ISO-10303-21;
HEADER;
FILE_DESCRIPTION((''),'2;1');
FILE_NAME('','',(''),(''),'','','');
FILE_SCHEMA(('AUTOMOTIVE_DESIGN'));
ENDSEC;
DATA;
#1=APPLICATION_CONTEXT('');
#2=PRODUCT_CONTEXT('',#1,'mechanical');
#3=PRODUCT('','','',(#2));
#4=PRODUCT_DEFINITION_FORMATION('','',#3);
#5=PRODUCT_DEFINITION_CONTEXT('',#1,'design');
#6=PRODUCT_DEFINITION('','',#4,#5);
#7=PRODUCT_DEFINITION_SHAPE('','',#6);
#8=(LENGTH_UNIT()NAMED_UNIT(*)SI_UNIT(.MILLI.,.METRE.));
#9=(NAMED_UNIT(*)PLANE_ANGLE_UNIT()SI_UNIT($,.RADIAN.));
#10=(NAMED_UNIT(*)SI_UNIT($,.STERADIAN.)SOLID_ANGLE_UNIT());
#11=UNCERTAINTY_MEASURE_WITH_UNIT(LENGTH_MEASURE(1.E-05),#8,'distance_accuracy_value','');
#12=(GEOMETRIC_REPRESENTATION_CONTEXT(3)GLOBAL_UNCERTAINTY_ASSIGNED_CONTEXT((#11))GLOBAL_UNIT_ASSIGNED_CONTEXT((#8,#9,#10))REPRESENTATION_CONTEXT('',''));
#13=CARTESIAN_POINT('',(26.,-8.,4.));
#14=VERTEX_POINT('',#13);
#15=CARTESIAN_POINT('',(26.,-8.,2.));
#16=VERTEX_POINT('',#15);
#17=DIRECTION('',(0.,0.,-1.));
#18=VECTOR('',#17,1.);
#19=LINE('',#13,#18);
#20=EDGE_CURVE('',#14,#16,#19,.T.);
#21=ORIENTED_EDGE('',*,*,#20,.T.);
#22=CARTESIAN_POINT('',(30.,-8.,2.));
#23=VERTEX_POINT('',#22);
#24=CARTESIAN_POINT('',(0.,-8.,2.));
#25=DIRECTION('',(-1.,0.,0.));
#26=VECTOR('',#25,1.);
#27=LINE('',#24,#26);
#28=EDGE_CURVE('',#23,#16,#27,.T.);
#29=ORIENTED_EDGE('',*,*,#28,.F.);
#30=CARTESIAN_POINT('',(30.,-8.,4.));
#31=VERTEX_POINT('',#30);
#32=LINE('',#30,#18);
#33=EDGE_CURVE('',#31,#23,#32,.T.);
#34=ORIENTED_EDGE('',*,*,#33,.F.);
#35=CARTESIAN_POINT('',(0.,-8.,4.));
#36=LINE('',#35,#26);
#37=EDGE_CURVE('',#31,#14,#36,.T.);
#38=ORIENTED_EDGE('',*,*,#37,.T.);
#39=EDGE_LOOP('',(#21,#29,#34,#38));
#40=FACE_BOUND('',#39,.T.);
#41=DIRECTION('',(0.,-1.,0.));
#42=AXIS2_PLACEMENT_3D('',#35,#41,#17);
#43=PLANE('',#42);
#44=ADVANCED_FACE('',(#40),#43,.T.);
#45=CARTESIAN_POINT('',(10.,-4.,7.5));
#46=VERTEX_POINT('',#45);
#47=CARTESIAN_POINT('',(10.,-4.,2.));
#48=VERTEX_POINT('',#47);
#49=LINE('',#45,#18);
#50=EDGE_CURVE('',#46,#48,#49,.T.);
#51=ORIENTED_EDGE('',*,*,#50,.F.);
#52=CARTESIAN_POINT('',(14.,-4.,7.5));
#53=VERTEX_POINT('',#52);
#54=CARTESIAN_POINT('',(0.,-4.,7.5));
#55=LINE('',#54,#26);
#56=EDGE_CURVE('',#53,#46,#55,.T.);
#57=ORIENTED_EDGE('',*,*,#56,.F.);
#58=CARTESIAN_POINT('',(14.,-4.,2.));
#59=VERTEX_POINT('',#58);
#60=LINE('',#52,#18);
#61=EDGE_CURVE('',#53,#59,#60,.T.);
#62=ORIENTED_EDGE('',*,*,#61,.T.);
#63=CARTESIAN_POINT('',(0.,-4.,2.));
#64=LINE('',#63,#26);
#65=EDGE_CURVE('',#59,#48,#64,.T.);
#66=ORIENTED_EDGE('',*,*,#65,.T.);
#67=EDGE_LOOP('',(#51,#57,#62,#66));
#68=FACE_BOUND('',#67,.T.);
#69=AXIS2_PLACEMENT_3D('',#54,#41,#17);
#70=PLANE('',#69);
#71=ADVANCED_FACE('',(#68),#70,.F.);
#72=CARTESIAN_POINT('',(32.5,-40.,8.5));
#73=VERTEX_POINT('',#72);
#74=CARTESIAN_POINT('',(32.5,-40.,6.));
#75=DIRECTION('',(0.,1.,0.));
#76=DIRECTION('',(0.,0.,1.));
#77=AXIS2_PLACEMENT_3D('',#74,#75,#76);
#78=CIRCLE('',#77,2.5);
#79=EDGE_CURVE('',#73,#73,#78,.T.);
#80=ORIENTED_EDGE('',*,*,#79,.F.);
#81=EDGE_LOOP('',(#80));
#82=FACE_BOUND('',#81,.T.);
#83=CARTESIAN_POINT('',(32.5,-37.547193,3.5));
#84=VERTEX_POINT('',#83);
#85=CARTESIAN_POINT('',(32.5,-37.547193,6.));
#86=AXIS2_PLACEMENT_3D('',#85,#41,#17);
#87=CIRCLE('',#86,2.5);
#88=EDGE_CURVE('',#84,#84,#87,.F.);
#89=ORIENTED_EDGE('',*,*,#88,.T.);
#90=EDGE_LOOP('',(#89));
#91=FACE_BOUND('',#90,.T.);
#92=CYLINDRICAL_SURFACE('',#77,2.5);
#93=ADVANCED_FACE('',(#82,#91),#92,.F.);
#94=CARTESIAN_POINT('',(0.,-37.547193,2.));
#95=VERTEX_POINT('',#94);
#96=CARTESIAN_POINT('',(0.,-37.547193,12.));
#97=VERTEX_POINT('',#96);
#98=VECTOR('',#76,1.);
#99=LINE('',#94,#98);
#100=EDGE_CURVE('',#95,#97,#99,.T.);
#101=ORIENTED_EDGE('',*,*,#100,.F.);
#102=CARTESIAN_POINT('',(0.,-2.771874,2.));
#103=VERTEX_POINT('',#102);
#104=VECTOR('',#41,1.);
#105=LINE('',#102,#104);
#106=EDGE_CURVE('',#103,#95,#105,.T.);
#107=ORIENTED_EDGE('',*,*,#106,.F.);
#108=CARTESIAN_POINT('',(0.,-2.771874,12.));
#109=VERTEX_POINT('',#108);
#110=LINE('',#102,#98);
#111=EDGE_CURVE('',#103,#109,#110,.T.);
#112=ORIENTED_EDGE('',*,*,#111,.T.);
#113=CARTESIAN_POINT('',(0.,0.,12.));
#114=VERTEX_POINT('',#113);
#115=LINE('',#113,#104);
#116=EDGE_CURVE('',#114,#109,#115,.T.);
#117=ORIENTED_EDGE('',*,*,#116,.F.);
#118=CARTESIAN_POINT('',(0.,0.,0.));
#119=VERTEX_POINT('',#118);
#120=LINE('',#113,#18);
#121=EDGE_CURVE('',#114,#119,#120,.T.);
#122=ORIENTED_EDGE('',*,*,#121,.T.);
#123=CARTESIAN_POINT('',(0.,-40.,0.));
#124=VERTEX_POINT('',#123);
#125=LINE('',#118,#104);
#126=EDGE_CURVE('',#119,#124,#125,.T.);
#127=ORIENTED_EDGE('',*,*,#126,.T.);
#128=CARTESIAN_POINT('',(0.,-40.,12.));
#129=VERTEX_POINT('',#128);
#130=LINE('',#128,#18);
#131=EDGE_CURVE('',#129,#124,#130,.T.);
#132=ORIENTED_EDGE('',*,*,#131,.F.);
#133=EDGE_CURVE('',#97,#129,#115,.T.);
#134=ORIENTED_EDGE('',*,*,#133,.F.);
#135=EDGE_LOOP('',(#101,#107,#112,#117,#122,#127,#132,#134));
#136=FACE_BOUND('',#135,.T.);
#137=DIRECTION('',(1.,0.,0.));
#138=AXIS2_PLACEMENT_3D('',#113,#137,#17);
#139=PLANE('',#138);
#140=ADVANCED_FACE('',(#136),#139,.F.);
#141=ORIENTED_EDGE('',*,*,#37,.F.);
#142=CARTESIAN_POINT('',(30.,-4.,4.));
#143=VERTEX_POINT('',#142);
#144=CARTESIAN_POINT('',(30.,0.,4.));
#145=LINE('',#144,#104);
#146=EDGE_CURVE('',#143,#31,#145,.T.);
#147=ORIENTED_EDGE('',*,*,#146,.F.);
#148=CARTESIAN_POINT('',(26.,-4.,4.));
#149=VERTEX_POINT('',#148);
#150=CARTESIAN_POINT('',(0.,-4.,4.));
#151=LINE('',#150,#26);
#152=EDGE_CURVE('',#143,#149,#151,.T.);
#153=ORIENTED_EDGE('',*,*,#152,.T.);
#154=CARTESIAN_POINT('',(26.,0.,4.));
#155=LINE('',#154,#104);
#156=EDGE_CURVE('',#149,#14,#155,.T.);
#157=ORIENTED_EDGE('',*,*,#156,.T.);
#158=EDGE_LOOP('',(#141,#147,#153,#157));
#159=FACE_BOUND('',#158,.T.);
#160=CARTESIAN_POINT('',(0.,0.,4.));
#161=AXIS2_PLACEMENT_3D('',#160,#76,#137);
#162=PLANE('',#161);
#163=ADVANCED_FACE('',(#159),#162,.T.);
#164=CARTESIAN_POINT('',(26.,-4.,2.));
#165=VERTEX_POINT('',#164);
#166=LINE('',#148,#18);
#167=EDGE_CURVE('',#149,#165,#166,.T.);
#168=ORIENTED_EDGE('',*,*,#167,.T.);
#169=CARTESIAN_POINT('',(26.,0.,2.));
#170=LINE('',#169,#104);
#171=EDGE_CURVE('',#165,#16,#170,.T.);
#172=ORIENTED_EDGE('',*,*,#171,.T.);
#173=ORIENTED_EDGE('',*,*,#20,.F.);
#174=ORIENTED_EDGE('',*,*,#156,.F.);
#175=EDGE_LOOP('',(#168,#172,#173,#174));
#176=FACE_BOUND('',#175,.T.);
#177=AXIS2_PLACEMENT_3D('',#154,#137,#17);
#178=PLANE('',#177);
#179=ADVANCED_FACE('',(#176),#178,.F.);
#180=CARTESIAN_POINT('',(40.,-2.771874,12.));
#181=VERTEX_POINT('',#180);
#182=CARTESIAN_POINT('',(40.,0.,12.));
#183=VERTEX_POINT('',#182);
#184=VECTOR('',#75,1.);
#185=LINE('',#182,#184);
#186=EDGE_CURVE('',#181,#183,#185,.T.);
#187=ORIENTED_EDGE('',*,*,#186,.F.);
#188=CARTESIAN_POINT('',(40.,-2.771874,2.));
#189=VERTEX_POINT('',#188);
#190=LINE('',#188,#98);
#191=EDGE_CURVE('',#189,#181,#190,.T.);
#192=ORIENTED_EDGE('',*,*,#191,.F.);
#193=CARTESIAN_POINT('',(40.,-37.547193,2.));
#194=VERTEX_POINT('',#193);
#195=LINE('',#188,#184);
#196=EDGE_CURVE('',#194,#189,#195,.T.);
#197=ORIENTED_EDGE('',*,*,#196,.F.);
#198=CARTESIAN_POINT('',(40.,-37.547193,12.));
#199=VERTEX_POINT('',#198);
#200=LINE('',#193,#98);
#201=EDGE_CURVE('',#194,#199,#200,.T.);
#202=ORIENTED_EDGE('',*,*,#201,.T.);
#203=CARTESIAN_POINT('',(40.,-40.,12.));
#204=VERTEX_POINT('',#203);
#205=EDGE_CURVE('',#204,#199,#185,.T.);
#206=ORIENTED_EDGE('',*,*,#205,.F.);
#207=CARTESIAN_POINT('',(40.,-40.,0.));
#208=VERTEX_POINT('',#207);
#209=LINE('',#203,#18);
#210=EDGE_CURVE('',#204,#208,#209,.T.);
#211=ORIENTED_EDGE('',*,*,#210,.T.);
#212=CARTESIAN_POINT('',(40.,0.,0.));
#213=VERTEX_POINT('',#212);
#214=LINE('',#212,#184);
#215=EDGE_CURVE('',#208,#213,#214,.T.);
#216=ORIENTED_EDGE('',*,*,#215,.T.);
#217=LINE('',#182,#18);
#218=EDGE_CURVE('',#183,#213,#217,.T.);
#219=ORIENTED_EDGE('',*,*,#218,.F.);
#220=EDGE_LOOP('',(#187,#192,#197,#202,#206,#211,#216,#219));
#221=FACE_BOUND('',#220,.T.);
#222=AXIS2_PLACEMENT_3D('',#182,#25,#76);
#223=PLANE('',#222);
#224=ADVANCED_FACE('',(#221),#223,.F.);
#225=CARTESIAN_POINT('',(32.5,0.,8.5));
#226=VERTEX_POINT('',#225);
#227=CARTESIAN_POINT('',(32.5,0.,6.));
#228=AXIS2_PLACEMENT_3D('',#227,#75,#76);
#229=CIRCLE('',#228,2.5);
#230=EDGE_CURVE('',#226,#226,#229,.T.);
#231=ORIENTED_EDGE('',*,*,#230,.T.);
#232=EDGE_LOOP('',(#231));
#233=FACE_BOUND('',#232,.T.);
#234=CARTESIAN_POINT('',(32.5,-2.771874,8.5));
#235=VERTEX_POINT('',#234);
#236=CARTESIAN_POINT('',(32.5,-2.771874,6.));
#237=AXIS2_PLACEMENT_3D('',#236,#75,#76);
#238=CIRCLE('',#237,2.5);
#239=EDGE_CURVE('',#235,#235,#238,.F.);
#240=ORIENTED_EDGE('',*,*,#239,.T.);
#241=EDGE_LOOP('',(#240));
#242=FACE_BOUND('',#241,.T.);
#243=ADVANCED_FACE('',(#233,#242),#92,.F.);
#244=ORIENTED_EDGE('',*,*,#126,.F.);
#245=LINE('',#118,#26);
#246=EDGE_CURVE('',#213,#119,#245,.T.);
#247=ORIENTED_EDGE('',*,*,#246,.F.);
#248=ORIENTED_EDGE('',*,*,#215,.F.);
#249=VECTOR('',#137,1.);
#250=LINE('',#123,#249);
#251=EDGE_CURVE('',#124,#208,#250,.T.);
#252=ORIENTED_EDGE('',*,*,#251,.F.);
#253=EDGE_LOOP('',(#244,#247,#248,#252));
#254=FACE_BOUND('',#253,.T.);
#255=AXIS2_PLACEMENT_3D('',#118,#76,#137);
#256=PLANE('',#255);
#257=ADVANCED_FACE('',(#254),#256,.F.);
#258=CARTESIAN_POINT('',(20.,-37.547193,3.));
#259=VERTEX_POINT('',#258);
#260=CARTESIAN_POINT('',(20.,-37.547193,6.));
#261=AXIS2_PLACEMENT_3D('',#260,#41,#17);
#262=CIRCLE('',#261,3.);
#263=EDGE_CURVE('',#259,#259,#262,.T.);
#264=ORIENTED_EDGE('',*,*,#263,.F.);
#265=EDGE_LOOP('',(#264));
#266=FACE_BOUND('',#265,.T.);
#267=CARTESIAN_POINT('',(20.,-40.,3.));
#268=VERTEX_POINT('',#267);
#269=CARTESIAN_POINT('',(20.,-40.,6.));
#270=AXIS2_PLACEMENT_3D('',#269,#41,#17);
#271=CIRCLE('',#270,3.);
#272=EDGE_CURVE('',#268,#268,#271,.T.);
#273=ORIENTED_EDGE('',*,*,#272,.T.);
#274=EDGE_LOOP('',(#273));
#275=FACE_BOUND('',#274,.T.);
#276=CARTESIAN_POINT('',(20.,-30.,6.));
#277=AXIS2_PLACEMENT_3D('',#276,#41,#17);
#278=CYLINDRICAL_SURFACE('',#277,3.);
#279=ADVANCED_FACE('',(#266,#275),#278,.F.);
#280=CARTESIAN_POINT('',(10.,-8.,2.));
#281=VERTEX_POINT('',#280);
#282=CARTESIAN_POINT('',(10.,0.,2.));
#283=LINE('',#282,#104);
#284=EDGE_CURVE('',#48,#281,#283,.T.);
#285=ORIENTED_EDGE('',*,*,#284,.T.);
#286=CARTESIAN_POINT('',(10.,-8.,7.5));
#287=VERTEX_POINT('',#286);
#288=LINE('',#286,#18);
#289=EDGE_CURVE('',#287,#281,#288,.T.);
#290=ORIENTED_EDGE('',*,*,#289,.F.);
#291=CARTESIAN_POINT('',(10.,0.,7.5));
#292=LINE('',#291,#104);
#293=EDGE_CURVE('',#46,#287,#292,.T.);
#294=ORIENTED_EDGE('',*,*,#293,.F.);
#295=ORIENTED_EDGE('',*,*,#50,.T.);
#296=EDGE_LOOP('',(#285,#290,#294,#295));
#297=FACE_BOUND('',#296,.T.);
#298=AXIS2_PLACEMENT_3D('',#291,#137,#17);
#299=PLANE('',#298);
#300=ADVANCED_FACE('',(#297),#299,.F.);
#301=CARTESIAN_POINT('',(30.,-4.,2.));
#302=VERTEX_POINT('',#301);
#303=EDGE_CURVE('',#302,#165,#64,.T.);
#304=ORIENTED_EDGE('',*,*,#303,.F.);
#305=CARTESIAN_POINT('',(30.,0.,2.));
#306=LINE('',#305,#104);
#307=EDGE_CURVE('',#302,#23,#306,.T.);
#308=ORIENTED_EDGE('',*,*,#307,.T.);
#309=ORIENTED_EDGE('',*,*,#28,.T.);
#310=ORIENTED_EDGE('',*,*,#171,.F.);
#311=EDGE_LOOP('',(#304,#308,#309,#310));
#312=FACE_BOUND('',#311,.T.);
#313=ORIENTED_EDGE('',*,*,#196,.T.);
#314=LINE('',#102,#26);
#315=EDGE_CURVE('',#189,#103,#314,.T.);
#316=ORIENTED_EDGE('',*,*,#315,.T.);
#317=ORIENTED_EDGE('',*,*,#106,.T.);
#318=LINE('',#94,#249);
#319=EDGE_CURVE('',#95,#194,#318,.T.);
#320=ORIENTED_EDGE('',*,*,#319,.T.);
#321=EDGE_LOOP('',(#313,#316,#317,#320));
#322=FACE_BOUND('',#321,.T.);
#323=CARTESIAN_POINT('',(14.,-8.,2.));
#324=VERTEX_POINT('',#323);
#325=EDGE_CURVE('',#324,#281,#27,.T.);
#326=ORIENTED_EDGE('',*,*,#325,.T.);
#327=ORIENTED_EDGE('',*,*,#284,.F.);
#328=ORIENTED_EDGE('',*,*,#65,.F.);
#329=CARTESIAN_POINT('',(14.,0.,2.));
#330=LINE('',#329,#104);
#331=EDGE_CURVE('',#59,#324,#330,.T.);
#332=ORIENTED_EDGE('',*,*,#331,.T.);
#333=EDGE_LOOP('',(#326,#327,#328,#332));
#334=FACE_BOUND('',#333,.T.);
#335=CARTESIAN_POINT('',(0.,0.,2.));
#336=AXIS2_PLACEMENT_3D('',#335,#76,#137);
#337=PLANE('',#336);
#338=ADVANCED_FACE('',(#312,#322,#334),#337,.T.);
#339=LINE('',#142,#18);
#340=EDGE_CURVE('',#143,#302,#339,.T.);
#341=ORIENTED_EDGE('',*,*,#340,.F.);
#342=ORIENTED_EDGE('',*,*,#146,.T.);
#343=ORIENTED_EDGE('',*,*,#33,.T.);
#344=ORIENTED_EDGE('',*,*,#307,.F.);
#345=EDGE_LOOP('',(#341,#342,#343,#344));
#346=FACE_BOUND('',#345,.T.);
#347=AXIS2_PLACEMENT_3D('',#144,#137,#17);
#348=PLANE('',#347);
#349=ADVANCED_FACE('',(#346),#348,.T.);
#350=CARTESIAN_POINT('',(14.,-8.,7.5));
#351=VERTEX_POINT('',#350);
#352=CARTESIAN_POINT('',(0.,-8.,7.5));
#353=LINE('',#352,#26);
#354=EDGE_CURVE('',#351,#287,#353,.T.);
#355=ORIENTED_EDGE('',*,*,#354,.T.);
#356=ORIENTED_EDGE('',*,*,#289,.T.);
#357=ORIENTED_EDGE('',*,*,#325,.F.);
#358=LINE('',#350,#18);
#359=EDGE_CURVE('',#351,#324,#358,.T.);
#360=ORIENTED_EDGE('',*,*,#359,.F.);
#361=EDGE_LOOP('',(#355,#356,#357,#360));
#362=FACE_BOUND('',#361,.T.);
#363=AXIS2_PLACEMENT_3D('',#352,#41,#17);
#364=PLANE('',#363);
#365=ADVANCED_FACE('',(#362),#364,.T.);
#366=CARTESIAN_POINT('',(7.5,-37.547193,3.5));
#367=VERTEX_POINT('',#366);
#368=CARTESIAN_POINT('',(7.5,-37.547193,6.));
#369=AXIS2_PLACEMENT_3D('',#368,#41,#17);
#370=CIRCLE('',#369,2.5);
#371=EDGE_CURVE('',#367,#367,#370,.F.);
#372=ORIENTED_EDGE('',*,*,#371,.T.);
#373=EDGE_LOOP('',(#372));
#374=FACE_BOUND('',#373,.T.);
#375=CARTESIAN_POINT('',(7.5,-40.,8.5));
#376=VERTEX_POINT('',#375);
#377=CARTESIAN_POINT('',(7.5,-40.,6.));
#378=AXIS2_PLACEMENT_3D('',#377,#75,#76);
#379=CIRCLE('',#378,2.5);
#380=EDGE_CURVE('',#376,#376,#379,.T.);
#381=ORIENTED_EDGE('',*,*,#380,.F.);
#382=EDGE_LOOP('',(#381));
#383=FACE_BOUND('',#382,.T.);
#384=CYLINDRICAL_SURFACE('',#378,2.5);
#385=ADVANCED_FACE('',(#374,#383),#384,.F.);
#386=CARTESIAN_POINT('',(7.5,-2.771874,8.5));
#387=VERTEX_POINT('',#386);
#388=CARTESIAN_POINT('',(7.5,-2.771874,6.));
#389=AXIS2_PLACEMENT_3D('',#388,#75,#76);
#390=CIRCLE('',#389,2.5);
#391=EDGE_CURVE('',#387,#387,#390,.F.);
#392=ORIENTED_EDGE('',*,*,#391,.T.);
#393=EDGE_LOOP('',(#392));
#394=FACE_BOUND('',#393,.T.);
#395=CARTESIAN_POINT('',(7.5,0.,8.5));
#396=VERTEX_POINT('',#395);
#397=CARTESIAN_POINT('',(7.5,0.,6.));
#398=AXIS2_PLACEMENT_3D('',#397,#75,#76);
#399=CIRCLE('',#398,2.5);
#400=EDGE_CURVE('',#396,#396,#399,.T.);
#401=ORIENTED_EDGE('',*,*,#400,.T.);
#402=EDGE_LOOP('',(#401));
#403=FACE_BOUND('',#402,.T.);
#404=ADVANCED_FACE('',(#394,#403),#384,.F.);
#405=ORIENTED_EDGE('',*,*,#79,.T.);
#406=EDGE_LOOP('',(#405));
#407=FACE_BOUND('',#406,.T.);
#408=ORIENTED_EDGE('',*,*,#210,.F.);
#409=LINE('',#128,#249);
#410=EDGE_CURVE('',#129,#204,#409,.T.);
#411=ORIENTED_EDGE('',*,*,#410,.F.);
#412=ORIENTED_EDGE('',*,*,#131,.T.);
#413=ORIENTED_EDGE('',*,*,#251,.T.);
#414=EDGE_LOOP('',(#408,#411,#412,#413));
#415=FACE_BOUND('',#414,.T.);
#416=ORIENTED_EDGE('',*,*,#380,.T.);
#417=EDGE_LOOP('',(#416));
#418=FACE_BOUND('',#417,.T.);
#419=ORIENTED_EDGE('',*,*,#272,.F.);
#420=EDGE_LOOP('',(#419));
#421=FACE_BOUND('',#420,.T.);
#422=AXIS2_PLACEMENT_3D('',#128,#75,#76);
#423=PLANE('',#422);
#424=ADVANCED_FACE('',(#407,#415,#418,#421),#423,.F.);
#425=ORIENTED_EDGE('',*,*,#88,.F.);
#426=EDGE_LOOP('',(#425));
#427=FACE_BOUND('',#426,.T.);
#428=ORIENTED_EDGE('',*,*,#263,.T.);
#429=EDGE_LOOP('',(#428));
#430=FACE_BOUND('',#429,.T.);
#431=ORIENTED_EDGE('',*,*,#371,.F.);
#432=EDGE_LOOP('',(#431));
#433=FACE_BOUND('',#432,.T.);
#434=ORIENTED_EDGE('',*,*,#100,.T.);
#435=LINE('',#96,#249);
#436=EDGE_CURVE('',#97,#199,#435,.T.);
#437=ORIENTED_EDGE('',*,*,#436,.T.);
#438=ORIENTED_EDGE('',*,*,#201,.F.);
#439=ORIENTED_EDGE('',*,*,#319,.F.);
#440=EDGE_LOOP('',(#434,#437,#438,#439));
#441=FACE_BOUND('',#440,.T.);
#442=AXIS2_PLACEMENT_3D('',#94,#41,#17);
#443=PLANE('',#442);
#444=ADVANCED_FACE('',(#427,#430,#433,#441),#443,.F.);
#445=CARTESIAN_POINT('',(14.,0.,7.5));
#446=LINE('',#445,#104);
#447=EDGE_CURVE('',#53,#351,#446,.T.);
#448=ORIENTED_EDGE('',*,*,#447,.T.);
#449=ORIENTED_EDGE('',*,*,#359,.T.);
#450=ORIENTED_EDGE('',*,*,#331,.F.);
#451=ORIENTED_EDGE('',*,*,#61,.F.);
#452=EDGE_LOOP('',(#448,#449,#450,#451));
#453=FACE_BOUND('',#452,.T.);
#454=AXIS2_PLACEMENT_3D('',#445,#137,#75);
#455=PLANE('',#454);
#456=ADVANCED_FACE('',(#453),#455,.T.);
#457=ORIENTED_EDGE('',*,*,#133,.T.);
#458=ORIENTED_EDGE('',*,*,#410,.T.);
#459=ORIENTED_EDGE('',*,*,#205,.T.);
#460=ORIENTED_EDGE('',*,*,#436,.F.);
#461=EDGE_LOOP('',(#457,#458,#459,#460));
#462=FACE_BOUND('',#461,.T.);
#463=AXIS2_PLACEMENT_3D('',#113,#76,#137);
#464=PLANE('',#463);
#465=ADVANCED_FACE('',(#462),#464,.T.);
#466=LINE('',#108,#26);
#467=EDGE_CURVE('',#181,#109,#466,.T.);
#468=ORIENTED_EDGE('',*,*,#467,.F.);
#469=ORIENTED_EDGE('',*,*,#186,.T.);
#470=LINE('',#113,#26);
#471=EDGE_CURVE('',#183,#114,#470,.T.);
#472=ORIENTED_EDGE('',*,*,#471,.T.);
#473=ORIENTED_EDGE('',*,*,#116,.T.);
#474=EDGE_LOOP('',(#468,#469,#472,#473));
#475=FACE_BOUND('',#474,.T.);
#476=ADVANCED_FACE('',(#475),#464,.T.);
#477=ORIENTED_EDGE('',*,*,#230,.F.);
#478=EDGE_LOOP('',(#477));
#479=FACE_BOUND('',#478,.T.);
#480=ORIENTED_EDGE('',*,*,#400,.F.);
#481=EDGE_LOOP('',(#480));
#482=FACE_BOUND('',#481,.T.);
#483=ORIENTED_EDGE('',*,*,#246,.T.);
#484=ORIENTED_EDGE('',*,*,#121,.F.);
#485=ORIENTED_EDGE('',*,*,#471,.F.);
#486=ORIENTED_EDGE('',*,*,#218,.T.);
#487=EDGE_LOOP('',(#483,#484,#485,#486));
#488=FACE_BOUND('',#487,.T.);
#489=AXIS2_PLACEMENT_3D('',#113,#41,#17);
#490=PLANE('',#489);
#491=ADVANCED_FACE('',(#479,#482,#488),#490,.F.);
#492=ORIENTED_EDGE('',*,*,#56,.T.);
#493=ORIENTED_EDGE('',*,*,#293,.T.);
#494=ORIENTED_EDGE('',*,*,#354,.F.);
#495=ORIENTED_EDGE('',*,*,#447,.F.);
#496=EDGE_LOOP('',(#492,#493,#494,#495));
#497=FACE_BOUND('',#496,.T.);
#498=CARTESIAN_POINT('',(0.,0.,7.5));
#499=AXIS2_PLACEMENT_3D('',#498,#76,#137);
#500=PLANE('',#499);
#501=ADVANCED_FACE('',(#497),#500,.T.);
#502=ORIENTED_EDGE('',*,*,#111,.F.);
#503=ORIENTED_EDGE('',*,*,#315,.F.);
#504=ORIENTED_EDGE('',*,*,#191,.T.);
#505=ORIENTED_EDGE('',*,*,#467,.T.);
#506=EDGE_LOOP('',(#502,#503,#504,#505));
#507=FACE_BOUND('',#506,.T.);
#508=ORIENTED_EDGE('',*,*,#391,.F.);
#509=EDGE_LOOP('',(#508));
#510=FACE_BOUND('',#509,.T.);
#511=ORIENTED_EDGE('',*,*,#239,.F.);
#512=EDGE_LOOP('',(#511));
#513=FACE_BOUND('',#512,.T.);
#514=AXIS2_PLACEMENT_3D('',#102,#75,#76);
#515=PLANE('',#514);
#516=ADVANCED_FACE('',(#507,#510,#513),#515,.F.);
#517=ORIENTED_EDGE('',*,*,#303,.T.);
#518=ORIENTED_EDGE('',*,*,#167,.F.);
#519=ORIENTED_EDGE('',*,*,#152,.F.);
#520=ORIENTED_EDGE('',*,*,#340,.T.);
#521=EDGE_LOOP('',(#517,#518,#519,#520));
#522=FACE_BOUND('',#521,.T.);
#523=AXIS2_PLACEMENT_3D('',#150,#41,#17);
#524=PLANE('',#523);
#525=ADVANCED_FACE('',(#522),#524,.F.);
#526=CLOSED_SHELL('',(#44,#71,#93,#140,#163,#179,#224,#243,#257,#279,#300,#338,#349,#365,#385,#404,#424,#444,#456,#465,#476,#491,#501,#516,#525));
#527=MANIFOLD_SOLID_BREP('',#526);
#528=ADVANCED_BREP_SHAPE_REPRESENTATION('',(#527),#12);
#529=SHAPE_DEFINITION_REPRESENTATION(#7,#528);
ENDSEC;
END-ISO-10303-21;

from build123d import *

# Parameters (mm, degrees)
SKETCH_2_W          = 40
SKETCH_2_H          = 40
EXTRUDE_1_DEPTH     = 12
SKETCH_3_R          = 2.5
CUT_EXTRUDE_1_DEPTH = 58.827329179
SKETCH_4_W          = 40
SKETCH_4_H          = 34.775319462
CUT_EXTRUDE_2_DEPTH = 10
SKETCH_6_R          = 3
CUT_EXTRUDE_3_DEPTH = 10
SKETCH_7_W          = 4
SKETCH_7_H          = 4
EXTRUDE_2_DEPTH     = 2
SKETCH_7_3_W        = 4
SKETCH_7_3_H        = 4
EXTRUDE_3_DEPTH     = 5.5


with BuildPart() as part:
    # 스케치2 → 보스-돌출1 (new body)
    with BuildSketch(Plane.XY):
        with Locations((20, -20)):
            Rectangle(SKETCH_2_W, SKETCH_2_H)
    extrude(amount=EXTRUDE_1_DEPTH)

    # 스케치3 → 컷-돌출1 (cut, through all)
    with BuildSketch(Plane(origin=(0, 0, 0), x_dir=(1, 0, 0), z_dir=(0, 1, 0))):
        with Locations((7.5, -6)):
            Circle(SKETCH_3_R)
        with Locations((32.5, -6)):
            Circle(SKETCH_3_R)
    extrude(amount=-CUT_EXTRUDE_1_DEPTH, mode=Mode.SUBTRACT)

    # 스케치4 → 컷-돌출2 (cut)
    with BuildSketch(Plane.XY.offset(12)):
        with Locations((20, -20.159533284)):
            Rectangle(SKETCH_4_W, SKETCH_4_H)
    extrude(amount=-CUT_EXTRUDE_2_DEPTH, mode=Mode.SUBTRACT)

    # 스케치6 → 컷-돌출3 (cut)
    with BuildSketch(Plane.XZ.offset(40)):
        with Locations((20, 6)):
            Circle(SKETCH_6_R)
    extrude(amount=-CUT_EXTRUDE_3_DEPTH, mode=Mode.SUBTRACT)

    # 스케치7 → 보스-돌출2 (add)
    with BuildSketch(Plane.XY.offset(2)):
        with Locations((28, -6)):
            Rectangle(SKETCH_7_W, SKETCH_7_H)
    extrude(amount=EXTRUDE_2_DEPTH)

    # 스케치7<3> → 보스-돌출3 (add)
    with BuildSketch(Plane.XY.offset(2)):
        with Locations((12, -6)):
            Rectangle(SKETCH_7_3_W, SKETCH_7_3_H)
    extrude(amount=EXTRUDE_3_DEPTH)


solid = part.part
